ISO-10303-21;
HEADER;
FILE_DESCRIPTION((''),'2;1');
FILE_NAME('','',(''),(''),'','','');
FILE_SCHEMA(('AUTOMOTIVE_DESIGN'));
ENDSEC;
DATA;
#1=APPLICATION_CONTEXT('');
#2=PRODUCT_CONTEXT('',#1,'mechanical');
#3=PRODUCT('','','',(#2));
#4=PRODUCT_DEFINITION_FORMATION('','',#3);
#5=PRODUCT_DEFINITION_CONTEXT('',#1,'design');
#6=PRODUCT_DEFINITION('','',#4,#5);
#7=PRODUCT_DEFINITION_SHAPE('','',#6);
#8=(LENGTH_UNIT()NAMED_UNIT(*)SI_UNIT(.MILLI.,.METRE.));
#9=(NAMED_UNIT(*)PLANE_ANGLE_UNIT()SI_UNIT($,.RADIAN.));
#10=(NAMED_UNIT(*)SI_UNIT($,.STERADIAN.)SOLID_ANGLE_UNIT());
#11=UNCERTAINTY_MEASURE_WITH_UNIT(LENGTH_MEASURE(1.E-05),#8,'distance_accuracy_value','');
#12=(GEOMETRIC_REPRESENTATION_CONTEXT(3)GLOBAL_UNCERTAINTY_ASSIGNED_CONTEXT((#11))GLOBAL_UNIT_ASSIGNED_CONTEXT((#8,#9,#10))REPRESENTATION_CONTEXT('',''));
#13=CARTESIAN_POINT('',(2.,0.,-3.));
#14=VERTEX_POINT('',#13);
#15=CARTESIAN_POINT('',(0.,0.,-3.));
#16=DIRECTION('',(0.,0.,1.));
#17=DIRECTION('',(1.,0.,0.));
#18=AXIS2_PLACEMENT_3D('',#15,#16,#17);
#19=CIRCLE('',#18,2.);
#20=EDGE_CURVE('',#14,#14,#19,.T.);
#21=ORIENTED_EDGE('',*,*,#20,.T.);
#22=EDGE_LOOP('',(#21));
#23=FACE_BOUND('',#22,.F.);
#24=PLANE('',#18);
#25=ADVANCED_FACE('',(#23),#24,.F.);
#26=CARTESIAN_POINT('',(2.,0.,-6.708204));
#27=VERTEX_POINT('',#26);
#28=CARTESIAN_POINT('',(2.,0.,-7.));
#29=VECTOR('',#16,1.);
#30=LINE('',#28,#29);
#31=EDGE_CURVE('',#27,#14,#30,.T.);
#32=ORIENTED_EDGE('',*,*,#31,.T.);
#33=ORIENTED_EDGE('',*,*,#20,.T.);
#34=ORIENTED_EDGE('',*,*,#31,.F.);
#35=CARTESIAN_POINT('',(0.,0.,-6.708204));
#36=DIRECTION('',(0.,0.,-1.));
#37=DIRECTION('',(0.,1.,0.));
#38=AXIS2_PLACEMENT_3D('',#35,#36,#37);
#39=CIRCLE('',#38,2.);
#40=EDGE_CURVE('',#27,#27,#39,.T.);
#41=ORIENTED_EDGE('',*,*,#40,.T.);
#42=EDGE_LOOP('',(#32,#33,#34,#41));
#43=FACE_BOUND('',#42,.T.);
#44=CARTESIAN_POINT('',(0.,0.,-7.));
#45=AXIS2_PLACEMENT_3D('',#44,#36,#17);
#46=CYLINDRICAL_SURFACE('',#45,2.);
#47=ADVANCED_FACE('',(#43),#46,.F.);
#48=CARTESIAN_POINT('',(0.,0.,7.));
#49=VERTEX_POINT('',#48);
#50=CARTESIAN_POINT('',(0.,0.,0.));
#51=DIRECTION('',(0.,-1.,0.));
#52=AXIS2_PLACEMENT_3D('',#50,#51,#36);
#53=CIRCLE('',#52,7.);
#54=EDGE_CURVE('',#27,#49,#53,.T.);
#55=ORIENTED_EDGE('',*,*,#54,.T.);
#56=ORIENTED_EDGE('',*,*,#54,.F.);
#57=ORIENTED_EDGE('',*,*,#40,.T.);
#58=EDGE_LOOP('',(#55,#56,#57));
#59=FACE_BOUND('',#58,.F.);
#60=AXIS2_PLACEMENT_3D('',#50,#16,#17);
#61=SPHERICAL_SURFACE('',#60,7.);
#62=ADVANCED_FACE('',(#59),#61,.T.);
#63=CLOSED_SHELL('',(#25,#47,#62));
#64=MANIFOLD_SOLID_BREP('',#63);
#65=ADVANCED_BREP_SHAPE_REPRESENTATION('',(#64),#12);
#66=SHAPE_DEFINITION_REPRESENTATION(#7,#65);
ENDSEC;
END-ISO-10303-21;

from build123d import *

# Parameters (mm, degrees)
F3_R     = 2
F4_DEPTH = 4


with BuildPart() as f1:
    # F0 (on Front) → F1 (revolve)
    with BuildSketch(Plane.XZ):
        with BuildLine():
            ThreePointArc((0, -7), (7, 0), (0, 7))
            Line((0, 7), (0, -7))
        make_face()
    revolve(axis=Axis((0, 0, 0), (0, 0, -1)))

    # F3 (on offset) → F4 (cut)
    with BuildSketch(Plane.XY.offset(-7)):
        Circle(F3_R)
    extrude(amount=F4_DEPTH, mode=Mode.SUBTRACT)


solid = f1.part
